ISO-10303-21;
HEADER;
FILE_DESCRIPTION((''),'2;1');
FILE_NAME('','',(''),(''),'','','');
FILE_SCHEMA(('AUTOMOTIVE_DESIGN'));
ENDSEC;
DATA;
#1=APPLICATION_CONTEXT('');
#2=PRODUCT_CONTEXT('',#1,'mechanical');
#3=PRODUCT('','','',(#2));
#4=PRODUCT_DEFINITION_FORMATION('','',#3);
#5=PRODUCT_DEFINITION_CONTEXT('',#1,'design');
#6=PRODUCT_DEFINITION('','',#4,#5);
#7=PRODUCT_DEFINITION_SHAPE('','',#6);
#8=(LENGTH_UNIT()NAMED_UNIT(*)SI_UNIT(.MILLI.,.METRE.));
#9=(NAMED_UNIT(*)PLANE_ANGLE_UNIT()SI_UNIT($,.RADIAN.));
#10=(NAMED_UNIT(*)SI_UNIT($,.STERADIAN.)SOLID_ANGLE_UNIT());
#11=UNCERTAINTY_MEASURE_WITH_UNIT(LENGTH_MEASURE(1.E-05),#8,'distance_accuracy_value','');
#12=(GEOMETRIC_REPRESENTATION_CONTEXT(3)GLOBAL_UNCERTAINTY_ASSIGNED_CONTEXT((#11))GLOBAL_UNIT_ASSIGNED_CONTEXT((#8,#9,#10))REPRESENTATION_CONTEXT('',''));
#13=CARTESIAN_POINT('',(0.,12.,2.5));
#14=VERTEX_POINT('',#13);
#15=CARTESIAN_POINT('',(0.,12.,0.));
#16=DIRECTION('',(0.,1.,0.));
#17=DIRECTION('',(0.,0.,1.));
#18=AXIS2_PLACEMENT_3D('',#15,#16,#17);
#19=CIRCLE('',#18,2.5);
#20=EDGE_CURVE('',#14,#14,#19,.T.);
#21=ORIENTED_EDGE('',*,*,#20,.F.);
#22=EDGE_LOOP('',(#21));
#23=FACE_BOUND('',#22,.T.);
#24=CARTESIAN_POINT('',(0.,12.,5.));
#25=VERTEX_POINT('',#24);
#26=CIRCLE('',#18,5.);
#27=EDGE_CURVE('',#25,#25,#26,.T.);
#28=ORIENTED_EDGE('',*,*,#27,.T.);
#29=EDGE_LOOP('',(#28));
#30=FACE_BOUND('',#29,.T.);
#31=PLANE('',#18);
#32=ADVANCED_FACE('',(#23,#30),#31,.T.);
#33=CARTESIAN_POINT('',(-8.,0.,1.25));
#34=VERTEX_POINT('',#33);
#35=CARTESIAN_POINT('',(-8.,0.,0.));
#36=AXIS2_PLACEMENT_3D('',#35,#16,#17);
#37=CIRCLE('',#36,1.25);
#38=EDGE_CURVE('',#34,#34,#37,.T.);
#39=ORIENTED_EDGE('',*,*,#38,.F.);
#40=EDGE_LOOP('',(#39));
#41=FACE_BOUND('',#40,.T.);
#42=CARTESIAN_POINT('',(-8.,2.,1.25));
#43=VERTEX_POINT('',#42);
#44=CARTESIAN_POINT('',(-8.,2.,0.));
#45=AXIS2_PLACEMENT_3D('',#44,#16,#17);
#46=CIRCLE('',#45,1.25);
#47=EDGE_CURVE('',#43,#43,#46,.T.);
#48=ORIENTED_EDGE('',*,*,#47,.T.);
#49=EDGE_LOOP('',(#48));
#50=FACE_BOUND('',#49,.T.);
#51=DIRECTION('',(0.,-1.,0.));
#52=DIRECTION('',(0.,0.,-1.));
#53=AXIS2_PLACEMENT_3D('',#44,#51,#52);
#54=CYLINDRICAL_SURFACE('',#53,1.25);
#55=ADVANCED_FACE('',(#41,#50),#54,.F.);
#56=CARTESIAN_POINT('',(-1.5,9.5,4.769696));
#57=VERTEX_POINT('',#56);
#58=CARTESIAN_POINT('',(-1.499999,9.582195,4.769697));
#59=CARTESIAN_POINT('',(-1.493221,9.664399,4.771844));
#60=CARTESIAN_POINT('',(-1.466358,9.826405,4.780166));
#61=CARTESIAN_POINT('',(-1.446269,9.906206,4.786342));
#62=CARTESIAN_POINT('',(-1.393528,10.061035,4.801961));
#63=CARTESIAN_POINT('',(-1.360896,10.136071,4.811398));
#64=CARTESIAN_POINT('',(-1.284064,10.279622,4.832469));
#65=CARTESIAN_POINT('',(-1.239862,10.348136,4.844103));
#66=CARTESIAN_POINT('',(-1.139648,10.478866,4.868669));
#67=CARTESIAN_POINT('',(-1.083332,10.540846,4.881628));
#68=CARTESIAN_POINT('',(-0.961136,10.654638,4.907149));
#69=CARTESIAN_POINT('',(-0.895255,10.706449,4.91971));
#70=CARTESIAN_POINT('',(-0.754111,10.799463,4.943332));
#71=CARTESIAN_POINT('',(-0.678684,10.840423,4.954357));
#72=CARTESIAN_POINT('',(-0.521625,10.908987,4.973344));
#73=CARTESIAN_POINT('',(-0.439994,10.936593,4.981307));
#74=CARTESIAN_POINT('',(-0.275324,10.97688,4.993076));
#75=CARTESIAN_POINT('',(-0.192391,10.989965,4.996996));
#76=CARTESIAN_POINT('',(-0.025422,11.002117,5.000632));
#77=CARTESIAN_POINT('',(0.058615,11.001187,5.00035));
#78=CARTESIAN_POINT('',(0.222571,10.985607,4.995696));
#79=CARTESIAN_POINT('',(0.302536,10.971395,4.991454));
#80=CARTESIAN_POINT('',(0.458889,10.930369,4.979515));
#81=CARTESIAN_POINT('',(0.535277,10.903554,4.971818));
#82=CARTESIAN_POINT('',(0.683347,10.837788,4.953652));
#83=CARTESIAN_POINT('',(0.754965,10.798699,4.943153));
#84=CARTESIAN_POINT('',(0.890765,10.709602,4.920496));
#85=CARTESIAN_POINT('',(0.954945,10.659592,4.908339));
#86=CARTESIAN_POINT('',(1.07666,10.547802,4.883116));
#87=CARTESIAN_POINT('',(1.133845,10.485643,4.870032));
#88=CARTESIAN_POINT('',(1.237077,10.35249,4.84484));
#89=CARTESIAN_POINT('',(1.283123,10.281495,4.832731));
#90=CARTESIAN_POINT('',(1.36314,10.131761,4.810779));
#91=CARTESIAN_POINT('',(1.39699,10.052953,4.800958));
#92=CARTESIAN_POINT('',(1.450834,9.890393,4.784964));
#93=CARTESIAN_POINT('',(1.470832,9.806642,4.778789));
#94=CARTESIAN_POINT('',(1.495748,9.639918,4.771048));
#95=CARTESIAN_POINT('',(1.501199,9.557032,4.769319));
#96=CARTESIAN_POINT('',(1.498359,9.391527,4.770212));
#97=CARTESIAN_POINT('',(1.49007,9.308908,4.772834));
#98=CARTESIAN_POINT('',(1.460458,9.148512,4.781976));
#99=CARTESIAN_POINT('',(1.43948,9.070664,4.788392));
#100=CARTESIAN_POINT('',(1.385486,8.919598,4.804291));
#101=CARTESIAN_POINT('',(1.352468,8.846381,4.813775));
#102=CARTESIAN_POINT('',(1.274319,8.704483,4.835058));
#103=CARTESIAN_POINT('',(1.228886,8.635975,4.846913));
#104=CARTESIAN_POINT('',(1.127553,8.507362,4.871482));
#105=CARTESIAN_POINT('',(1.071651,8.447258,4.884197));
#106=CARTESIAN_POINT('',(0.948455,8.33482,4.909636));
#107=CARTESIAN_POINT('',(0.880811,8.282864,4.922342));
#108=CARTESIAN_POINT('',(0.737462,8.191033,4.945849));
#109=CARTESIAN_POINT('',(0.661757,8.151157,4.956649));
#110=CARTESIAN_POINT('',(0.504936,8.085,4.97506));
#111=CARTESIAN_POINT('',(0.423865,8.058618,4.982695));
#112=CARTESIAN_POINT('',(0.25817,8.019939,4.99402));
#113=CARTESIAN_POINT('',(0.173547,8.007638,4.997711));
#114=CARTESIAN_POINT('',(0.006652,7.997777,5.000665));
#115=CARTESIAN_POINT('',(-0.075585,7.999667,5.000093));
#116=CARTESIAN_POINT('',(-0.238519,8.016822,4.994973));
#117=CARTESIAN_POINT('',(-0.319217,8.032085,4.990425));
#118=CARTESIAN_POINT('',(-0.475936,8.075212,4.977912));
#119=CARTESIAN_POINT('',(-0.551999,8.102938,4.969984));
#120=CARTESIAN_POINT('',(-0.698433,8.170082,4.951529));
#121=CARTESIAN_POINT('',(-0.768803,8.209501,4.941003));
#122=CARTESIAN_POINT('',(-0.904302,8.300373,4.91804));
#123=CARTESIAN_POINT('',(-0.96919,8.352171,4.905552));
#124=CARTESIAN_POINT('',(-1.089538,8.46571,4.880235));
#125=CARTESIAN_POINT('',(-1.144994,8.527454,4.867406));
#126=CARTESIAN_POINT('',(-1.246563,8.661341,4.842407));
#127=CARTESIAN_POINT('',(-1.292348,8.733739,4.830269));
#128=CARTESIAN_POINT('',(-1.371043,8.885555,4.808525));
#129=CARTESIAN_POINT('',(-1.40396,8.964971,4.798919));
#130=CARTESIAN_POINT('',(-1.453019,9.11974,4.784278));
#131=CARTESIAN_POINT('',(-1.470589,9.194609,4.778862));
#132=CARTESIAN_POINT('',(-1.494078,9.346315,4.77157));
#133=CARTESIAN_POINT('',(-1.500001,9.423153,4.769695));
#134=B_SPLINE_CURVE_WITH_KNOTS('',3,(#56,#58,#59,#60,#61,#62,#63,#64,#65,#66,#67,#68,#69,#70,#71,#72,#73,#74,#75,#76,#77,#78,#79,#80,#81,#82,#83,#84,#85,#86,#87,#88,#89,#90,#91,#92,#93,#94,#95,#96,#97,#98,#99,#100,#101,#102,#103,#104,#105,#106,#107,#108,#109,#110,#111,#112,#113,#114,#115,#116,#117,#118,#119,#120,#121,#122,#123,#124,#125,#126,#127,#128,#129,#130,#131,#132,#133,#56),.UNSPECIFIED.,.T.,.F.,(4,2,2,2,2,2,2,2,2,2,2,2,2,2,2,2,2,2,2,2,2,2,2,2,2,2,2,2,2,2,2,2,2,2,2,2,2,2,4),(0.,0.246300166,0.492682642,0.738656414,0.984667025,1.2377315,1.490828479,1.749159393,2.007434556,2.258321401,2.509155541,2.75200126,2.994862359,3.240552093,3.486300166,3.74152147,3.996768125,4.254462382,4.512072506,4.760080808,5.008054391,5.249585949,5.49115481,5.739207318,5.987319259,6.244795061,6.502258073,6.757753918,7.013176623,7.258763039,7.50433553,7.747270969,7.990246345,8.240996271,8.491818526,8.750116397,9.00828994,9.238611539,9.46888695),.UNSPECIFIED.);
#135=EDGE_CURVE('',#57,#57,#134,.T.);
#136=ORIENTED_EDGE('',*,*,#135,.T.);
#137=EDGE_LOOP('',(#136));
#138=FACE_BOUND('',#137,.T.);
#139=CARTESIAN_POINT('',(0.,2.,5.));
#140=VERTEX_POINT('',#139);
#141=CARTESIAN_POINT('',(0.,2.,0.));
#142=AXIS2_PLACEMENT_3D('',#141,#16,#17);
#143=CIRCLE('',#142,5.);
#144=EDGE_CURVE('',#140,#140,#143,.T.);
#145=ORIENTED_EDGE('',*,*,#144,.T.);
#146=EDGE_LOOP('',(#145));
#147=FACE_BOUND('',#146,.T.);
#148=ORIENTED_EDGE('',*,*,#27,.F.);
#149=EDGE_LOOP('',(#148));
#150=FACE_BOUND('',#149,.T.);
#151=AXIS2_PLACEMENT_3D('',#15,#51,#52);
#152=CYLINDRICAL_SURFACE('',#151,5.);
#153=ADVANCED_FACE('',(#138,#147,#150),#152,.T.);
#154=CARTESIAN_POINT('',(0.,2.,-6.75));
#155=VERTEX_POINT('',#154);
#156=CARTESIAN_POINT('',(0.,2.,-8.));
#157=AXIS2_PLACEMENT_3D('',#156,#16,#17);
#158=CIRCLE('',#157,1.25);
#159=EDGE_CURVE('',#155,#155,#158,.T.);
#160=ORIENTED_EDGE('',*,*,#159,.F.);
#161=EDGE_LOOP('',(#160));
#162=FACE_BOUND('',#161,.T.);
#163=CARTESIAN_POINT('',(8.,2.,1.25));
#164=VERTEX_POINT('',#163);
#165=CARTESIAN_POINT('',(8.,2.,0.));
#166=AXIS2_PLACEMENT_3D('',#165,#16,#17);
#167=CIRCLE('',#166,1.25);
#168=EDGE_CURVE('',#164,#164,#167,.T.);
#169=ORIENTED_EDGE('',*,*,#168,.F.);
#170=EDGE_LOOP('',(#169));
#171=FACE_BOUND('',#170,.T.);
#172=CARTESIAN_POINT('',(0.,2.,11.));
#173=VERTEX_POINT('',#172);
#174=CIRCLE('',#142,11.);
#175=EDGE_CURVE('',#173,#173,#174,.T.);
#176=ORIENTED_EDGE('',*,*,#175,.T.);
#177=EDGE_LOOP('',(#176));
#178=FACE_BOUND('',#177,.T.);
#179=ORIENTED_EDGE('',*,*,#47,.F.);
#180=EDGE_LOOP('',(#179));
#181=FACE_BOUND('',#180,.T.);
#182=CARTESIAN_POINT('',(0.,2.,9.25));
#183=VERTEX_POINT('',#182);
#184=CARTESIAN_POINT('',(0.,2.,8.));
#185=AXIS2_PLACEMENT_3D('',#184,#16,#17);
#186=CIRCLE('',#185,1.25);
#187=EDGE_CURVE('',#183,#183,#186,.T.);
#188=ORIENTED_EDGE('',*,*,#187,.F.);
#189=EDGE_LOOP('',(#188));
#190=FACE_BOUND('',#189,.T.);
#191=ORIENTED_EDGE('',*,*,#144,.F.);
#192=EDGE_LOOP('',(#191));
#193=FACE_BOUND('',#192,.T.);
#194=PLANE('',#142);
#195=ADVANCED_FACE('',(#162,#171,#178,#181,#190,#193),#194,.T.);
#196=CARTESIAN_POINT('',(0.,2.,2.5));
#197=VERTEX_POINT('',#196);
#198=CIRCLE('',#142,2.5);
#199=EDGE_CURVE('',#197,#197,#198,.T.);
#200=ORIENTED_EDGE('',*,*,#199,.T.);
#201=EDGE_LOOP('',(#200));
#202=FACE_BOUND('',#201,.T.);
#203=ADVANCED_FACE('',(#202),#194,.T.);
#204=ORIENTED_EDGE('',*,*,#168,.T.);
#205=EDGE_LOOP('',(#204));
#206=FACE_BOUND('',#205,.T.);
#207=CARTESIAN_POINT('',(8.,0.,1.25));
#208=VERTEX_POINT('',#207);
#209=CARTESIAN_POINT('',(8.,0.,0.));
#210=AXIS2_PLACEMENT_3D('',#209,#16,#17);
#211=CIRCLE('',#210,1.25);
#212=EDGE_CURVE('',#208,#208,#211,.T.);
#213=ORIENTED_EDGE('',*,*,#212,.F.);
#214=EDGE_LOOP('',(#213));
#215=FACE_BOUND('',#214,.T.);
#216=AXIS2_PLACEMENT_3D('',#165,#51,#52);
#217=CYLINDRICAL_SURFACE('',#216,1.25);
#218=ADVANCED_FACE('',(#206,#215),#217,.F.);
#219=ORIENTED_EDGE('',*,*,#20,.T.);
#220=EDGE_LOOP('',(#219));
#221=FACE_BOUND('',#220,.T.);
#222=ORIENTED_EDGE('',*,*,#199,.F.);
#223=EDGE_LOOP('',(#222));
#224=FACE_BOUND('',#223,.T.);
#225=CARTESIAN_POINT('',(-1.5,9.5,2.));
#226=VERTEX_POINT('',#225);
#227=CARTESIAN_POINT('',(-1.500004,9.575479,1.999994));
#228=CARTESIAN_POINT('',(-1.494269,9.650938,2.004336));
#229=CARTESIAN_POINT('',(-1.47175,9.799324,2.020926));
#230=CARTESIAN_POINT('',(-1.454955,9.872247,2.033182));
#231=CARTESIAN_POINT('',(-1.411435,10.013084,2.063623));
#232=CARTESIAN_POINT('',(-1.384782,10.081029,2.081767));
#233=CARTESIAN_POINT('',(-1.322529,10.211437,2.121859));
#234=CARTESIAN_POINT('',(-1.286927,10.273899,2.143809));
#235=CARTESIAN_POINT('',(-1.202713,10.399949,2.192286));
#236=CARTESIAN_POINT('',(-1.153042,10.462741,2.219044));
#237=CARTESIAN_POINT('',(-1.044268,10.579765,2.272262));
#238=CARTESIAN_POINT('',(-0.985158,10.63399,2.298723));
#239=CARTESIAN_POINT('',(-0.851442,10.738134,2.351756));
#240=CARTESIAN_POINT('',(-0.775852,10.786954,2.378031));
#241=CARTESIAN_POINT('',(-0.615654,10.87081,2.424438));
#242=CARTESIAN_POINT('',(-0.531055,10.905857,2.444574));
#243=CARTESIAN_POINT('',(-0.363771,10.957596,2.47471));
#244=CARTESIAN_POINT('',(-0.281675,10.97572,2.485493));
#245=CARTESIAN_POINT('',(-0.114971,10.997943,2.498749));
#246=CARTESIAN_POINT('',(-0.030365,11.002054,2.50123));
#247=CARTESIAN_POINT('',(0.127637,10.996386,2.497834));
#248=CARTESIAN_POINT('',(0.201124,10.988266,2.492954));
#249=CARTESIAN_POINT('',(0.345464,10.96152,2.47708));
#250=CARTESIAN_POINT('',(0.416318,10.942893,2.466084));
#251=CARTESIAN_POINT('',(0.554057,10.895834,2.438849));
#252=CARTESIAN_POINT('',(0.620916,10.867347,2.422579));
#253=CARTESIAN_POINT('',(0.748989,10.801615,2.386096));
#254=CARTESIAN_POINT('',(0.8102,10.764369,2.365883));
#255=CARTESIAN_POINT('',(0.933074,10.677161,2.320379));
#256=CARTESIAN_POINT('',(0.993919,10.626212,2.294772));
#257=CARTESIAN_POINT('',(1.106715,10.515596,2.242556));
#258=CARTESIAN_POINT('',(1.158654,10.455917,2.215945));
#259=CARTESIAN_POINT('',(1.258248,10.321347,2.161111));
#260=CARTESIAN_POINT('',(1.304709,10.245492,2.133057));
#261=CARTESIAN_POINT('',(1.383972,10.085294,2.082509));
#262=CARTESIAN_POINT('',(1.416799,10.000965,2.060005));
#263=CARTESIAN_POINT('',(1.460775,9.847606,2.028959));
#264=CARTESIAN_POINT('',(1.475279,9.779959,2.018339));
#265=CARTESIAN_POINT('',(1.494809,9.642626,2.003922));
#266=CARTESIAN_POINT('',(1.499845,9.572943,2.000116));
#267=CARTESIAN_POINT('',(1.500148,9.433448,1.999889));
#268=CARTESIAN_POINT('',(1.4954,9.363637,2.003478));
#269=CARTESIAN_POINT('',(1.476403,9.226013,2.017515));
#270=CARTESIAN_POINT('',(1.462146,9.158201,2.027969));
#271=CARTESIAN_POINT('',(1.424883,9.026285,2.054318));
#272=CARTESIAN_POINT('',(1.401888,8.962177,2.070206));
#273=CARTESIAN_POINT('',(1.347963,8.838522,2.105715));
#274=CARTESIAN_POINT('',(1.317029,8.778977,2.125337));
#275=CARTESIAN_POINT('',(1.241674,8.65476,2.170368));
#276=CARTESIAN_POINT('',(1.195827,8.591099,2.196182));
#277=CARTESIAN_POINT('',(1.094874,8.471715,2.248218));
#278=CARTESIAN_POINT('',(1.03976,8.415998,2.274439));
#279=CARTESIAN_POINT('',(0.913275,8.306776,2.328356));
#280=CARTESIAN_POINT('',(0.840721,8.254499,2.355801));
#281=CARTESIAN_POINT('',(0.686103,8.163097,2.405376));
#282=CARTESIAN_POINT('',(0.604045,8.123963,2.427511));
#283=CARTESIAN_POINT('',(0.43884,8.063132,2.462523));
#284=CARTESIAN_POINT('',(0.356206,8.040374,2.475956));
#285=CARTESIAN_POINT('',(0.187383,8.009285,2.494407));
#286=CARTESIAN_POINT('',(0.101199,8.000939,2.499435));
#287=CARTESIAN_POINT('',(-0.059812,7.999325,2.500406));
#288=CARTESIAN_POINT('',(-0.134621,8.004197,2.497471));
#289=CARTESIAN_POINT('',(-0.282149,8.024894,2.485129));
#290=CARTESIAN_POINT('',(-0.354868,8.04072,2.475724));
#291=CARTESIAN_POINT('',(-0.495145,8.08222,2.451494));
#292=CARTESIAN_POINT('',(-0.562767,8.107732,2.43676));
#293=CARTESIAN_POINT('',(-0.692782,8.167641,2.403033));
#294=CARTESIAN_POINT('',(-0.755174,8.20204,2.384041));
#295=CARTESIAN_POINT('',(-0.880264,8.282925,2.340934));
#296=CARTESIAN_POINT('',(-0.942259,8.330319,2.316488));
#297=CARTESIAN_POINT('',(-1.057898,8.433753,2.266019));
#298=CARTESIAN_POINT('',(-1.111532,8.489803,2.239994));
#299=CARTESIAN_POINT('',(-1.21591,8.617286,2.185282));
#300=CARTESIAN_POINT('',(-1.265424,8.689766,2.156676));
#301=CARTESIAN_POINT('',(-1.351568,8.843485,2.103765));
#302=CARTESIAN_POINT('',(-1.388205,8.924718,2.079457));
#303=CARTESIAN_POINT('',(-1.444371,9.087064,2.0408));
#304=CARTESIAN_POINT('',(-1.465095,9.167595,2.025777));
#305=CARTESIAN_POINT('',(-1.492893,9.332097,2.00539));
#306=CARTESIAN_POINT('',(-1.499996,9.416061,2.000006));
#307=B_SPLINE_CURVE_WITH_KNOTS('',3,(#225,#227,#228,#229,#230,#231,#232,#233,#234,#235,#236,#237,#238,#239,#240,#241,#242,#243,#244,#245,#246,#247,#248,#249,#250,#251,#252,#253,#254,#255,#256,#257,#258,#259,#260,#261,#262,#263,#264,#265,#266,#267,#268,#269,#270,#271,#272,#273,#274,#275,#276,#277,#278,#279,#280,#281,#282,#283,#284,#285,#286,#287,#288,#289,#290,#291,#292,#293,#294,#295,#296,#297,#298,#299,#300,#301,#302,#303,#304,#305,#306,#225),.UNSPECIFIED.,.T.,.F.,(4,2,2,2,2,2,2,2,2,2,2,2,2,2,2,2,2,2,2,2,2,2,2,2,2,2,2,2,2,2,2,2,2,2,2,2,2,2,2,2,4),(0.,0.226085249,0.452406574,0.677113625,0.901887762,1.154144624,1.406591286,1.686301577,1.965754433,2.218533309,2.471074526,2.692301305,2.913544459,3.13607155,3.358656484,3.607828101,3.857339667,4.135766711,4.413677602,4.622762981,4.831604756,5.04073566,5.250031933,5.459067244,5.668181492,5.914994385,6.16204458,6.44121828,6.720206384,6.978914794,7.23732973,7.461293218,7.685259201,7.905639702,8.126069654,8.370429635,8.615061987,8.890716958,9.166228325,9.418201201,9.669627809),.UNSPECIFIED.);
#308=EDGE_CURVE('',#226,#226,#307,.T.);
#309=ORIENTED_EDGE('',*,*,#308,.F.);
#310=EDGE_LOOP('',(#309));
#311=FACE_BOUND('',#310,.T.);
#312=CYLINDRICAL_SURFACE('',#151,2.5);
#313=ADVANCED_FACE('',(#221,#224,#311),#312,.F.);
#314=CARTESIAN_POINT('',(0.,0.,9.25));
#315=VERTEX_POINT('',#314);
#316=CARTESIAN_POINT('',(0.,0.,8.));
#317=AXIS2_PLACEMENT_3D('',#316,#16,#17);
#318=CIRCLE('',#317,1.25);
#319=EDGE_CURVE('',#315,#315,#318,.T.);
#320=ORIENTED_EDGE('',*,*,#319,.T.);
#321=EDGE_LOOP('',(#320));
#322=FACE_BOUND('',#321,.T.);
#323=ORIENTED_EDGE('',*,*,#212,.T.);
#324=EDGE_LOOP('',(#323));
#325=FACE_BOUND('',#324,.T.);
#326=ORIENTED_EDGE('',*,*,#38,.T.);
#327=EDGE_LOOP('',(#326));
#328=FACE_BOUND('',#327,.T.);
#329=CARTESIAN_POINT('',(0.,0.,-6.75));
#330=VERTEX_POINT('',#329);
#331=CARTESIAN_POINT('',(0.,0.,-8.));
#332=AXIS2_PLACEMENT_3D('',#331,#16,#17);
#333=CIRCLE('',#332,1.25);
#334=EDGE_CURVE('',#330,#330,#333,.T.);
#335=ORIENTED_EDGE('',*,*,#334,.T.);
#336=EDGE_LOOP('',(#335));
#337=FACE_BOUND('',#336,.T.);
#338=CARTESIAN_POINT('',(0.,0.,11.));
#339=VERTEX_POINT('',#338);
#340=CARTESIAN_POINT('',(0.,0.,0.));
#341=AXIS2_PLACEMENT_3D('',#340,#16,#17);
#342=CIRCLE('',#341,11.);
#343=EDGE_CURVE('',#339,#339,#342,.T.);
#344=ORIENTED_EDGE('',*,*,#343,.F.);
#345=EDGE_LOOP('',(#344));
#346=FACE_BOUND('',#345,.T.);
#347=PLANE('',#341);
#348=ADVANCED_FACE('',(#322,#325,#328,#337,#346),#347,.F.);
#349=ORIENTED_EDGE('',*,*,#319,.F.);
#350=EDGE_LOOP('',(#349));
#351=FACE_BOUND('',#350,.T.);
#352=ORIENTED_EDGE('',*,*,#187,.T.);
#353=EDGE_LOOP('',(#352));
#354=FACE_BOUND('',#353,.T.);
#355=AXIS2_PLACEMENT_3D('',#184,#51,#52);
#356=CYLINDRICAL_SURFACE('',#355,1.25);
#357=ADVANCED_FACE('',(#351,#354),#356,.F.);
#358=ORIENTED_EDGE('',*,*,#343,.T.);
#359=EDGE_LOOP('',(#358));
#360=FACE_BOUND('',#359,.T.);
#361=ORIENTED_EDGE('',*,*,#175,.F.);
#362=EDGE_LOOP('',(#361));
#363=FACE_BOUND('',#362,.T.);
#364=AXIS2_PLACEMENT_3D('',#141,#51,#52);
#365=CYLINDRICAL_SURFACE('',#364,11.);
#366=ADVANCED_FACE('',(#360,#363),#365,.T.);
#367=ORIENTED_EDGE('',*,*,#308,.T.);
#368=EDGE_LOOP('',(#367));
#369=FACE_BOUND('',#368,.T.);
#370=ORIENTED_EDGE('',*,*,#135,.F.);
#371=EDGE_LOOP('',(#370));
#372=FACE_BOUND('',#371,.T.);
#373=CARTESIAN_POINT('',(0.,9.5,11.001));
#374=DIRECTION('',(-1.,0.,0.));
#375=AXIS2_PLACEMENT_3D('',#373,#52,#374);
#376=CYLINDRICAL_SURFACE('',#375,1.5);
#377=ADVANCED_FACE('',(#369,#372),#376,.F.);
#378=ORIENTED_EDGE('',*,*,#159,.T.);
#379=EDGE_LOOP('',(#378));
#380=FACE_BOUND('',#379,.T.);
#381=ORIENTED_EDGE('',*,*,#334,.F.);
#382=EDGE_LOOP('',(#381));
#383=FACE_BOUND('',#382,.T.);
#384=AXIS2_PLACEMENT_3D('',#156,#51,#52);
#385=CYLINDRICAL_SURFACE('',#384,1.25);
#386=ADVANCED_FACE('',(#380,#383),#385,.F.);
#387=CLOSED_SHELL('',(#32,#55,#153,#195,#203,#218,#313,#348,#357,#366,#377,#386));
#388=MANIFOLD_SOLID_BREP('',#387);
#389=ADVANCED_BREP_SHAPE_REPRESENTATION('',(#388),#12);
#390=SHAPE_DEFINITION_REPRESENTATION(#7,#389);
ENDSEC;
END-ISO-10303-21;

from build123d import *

# Parameters (mm, degrees)
SKETCH_1_R               = 11
SKETCH_1_R_2             = 1.25
EXTRUDE_1_DEPTH          = 2
SKETCH_2_R               = 5
SKETCH_2_R_2             = 2.5
EXTRUDE_2_DEPTH          = 10
CUT_EXTRUDE_1_REACH      = 21.647
CUT_EXTRUDE_1_END_RADIUS = 5
SKETCH_3_R               = 1.5


with BuildPart() as part:
    # 草圖1 → 填料-伸長1 (new body)
    with BuildSketch(Plane(origin=(0, 0, 0), x_dir=(1, 0, 0), z_dir=(0, 1, 0))):
        with Locations(Location((0, 0, 0), (0, 0, 270))):
            Circle(SKETCH_1_R)
        with Locations(Location((0, 8, 0), (0, 0, 270))):
            Circle(SKETCH_1_R_2, mode=Mode.SUBTRACT)
        with Locations(Location((8, 0, 0), (0, 0, 270))):
            Circle(SKETCH_1_R_2, mode=Mode.SUBTRACT)
        with Locations(Location((0, -8, 0), (0, 0, 270))):
            Circle(SKETCH_1_R_2, mode=Mode.SUBTRACT)
        with Locations(Location((-8, 0, 0), (0, 0, 270))):
            Circle(SKETCH_1_R_2, mode=Mode.SUBTRACT)
    extrude(amount=EXTRUDE_1_DEPTH)

    # 草圖2 → 填料-伸長2 (add)
    with BuildSketch(Plane(origin=(0, 2, 0), x_dir=(1, 0, 0), z_dir=(0, 1, 0))):
        with Locations(Location((0, 0, 0), (0, 0, 270))):
            Circle(SKETCH_2_R)
        with Locations(Location((0, 0, 0), (0, 0, 270))):
            Circle(SKETCH_2_R_2, mode=Mode.SUBTRACT)
    extrude(amount=EXTRUDE_2_DEPTH)

    # 除料-伸長1: up to this cylinder (the profile starts inside it)
    cut_extrude_1_end = Plane(origin=(0, 9.5, 0), z_dir=(0, -1, 0)) * Cylinder(CUT_EXTRUDE_1_END_RADIUS, 54.294, mode=Mode.PRIVATE)
    # 草圖3 → 除料-伸長1 (cut, up to the surface)
    with BuildSketch(Plane.XY, mode=Mode.PRIVATE) as cut_extrude_1_sk1:
        with Locations(Location((0, 9.5, 0), (0, 0, 180))):
            Circle(SKETCH_3_R)
    cut_extrude_1_tool1 = extrude(cut_extrude_1_sk1.sketch, amount=CUT_EXTRUDE_1_REACH, mode=Mode.PRIVATE) & cut_extrude_1_end
    add(cut_extrude_1_tool1.solids().sort_by_distance((0, 9.5, 0))[0], mode=Mode.SUBTRACT)


solid = part.part
